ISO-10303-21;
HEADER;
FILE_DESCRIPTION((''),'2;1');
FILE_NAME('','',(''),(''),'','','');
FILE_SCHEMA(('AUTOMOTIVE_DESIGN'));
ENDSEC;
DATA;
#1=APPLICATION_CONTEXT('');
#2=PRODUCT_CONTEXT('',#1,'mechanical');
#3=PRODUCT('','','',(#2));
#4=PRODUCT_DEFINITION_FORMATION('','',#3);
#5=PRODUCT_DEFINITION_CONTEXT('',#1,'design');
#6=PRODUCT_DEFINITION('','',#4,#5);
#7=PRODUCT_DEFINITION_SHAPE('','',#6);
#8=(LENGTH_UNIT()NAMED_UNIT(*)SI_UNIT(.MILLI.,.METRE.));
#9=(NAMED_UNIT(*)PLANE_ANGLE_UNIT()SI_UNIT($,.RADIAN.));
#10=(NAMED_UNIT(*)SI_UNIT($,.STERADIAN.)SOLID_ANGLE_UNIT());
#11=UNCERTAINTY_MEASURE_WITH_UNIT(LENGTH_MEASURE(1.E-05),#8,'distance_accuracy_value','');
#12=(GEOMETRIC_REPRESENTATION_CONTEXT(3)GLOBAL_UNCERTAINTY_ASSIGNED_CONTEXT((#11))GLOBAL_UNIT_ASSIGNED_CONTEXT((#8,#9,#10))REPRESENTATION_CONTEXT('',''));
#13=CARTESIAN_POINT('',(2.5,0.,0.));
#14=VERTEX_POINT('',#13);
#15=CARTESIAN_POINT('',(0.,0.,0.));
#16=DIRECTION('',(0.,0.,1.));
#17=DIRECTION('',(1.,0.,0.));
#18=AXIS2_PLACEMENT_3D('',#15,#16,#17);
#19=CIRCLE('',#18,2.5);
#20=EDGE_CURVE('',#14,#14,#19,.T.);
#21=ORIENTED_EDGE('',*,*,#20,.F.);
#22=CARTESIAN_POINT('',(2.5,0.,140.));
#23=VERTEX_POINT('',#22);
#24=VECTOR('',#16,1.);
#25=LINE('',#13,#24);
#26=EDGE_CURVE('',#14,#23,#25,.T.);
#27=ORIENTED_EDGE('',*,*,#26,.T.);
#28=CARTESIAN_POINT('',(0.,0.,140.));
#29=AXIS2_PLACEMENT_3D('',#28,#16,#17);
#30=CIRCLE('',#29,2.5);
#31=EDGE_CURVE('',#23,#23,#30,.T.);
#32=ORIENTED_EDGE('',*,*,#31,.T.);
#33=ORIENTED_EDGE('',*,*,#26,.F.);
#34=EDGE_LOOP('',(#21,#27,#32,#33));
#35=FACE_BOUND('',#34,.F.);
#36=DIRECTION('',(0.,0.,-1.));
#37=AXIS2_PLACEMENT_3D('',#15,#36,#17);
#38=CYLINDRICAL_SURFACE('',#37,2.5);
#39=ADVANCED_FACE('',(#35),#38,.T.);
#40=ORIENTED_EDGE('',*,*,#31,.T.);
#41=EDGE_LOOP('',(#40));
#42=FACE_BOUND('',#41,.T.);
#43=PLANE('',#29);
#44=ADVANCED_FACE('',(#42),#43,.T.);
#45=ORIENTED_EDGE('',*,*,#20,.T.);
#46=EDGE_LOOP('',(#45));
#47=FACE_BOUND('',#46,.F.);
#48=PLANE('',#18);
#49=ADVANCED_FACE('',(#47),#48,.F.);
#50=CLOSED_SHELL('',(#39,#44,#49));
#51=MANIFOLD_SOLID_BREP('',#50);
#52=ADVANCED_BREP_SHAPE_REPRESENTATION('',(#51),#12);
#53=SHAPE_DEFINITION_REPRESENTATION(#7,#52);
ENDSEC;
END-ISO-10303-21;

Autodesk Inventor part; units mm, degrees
ref_plane "YZ Plane" through (0, 0, 0) normal (1, 0, 0) x (0, 1, 0)
ref_plane "XZ Plane" through (0, 0, 0) normal (0, 1, 0) x (-1, 0, 0)
ref_plane "XY Plane" through (0, 0, 0) normal (0, 0, 1) x (1, 0, 0)
sketch "Skizze1" plane through (0, 0, 0) normal (0, 0, 1) x (1, 0, 0)
  circle A0 centre (0, 0) radius 2.5
  dimension "d0" = 5
extrude "Extrusion1" add sketch "Skizze1" along normal blind 140
thread "Gewinde2" size "M5x0.8" class "6g" standard "ANSI Metric M Profile" full length
properties part number "Gewindestange3" material "Stahl"
